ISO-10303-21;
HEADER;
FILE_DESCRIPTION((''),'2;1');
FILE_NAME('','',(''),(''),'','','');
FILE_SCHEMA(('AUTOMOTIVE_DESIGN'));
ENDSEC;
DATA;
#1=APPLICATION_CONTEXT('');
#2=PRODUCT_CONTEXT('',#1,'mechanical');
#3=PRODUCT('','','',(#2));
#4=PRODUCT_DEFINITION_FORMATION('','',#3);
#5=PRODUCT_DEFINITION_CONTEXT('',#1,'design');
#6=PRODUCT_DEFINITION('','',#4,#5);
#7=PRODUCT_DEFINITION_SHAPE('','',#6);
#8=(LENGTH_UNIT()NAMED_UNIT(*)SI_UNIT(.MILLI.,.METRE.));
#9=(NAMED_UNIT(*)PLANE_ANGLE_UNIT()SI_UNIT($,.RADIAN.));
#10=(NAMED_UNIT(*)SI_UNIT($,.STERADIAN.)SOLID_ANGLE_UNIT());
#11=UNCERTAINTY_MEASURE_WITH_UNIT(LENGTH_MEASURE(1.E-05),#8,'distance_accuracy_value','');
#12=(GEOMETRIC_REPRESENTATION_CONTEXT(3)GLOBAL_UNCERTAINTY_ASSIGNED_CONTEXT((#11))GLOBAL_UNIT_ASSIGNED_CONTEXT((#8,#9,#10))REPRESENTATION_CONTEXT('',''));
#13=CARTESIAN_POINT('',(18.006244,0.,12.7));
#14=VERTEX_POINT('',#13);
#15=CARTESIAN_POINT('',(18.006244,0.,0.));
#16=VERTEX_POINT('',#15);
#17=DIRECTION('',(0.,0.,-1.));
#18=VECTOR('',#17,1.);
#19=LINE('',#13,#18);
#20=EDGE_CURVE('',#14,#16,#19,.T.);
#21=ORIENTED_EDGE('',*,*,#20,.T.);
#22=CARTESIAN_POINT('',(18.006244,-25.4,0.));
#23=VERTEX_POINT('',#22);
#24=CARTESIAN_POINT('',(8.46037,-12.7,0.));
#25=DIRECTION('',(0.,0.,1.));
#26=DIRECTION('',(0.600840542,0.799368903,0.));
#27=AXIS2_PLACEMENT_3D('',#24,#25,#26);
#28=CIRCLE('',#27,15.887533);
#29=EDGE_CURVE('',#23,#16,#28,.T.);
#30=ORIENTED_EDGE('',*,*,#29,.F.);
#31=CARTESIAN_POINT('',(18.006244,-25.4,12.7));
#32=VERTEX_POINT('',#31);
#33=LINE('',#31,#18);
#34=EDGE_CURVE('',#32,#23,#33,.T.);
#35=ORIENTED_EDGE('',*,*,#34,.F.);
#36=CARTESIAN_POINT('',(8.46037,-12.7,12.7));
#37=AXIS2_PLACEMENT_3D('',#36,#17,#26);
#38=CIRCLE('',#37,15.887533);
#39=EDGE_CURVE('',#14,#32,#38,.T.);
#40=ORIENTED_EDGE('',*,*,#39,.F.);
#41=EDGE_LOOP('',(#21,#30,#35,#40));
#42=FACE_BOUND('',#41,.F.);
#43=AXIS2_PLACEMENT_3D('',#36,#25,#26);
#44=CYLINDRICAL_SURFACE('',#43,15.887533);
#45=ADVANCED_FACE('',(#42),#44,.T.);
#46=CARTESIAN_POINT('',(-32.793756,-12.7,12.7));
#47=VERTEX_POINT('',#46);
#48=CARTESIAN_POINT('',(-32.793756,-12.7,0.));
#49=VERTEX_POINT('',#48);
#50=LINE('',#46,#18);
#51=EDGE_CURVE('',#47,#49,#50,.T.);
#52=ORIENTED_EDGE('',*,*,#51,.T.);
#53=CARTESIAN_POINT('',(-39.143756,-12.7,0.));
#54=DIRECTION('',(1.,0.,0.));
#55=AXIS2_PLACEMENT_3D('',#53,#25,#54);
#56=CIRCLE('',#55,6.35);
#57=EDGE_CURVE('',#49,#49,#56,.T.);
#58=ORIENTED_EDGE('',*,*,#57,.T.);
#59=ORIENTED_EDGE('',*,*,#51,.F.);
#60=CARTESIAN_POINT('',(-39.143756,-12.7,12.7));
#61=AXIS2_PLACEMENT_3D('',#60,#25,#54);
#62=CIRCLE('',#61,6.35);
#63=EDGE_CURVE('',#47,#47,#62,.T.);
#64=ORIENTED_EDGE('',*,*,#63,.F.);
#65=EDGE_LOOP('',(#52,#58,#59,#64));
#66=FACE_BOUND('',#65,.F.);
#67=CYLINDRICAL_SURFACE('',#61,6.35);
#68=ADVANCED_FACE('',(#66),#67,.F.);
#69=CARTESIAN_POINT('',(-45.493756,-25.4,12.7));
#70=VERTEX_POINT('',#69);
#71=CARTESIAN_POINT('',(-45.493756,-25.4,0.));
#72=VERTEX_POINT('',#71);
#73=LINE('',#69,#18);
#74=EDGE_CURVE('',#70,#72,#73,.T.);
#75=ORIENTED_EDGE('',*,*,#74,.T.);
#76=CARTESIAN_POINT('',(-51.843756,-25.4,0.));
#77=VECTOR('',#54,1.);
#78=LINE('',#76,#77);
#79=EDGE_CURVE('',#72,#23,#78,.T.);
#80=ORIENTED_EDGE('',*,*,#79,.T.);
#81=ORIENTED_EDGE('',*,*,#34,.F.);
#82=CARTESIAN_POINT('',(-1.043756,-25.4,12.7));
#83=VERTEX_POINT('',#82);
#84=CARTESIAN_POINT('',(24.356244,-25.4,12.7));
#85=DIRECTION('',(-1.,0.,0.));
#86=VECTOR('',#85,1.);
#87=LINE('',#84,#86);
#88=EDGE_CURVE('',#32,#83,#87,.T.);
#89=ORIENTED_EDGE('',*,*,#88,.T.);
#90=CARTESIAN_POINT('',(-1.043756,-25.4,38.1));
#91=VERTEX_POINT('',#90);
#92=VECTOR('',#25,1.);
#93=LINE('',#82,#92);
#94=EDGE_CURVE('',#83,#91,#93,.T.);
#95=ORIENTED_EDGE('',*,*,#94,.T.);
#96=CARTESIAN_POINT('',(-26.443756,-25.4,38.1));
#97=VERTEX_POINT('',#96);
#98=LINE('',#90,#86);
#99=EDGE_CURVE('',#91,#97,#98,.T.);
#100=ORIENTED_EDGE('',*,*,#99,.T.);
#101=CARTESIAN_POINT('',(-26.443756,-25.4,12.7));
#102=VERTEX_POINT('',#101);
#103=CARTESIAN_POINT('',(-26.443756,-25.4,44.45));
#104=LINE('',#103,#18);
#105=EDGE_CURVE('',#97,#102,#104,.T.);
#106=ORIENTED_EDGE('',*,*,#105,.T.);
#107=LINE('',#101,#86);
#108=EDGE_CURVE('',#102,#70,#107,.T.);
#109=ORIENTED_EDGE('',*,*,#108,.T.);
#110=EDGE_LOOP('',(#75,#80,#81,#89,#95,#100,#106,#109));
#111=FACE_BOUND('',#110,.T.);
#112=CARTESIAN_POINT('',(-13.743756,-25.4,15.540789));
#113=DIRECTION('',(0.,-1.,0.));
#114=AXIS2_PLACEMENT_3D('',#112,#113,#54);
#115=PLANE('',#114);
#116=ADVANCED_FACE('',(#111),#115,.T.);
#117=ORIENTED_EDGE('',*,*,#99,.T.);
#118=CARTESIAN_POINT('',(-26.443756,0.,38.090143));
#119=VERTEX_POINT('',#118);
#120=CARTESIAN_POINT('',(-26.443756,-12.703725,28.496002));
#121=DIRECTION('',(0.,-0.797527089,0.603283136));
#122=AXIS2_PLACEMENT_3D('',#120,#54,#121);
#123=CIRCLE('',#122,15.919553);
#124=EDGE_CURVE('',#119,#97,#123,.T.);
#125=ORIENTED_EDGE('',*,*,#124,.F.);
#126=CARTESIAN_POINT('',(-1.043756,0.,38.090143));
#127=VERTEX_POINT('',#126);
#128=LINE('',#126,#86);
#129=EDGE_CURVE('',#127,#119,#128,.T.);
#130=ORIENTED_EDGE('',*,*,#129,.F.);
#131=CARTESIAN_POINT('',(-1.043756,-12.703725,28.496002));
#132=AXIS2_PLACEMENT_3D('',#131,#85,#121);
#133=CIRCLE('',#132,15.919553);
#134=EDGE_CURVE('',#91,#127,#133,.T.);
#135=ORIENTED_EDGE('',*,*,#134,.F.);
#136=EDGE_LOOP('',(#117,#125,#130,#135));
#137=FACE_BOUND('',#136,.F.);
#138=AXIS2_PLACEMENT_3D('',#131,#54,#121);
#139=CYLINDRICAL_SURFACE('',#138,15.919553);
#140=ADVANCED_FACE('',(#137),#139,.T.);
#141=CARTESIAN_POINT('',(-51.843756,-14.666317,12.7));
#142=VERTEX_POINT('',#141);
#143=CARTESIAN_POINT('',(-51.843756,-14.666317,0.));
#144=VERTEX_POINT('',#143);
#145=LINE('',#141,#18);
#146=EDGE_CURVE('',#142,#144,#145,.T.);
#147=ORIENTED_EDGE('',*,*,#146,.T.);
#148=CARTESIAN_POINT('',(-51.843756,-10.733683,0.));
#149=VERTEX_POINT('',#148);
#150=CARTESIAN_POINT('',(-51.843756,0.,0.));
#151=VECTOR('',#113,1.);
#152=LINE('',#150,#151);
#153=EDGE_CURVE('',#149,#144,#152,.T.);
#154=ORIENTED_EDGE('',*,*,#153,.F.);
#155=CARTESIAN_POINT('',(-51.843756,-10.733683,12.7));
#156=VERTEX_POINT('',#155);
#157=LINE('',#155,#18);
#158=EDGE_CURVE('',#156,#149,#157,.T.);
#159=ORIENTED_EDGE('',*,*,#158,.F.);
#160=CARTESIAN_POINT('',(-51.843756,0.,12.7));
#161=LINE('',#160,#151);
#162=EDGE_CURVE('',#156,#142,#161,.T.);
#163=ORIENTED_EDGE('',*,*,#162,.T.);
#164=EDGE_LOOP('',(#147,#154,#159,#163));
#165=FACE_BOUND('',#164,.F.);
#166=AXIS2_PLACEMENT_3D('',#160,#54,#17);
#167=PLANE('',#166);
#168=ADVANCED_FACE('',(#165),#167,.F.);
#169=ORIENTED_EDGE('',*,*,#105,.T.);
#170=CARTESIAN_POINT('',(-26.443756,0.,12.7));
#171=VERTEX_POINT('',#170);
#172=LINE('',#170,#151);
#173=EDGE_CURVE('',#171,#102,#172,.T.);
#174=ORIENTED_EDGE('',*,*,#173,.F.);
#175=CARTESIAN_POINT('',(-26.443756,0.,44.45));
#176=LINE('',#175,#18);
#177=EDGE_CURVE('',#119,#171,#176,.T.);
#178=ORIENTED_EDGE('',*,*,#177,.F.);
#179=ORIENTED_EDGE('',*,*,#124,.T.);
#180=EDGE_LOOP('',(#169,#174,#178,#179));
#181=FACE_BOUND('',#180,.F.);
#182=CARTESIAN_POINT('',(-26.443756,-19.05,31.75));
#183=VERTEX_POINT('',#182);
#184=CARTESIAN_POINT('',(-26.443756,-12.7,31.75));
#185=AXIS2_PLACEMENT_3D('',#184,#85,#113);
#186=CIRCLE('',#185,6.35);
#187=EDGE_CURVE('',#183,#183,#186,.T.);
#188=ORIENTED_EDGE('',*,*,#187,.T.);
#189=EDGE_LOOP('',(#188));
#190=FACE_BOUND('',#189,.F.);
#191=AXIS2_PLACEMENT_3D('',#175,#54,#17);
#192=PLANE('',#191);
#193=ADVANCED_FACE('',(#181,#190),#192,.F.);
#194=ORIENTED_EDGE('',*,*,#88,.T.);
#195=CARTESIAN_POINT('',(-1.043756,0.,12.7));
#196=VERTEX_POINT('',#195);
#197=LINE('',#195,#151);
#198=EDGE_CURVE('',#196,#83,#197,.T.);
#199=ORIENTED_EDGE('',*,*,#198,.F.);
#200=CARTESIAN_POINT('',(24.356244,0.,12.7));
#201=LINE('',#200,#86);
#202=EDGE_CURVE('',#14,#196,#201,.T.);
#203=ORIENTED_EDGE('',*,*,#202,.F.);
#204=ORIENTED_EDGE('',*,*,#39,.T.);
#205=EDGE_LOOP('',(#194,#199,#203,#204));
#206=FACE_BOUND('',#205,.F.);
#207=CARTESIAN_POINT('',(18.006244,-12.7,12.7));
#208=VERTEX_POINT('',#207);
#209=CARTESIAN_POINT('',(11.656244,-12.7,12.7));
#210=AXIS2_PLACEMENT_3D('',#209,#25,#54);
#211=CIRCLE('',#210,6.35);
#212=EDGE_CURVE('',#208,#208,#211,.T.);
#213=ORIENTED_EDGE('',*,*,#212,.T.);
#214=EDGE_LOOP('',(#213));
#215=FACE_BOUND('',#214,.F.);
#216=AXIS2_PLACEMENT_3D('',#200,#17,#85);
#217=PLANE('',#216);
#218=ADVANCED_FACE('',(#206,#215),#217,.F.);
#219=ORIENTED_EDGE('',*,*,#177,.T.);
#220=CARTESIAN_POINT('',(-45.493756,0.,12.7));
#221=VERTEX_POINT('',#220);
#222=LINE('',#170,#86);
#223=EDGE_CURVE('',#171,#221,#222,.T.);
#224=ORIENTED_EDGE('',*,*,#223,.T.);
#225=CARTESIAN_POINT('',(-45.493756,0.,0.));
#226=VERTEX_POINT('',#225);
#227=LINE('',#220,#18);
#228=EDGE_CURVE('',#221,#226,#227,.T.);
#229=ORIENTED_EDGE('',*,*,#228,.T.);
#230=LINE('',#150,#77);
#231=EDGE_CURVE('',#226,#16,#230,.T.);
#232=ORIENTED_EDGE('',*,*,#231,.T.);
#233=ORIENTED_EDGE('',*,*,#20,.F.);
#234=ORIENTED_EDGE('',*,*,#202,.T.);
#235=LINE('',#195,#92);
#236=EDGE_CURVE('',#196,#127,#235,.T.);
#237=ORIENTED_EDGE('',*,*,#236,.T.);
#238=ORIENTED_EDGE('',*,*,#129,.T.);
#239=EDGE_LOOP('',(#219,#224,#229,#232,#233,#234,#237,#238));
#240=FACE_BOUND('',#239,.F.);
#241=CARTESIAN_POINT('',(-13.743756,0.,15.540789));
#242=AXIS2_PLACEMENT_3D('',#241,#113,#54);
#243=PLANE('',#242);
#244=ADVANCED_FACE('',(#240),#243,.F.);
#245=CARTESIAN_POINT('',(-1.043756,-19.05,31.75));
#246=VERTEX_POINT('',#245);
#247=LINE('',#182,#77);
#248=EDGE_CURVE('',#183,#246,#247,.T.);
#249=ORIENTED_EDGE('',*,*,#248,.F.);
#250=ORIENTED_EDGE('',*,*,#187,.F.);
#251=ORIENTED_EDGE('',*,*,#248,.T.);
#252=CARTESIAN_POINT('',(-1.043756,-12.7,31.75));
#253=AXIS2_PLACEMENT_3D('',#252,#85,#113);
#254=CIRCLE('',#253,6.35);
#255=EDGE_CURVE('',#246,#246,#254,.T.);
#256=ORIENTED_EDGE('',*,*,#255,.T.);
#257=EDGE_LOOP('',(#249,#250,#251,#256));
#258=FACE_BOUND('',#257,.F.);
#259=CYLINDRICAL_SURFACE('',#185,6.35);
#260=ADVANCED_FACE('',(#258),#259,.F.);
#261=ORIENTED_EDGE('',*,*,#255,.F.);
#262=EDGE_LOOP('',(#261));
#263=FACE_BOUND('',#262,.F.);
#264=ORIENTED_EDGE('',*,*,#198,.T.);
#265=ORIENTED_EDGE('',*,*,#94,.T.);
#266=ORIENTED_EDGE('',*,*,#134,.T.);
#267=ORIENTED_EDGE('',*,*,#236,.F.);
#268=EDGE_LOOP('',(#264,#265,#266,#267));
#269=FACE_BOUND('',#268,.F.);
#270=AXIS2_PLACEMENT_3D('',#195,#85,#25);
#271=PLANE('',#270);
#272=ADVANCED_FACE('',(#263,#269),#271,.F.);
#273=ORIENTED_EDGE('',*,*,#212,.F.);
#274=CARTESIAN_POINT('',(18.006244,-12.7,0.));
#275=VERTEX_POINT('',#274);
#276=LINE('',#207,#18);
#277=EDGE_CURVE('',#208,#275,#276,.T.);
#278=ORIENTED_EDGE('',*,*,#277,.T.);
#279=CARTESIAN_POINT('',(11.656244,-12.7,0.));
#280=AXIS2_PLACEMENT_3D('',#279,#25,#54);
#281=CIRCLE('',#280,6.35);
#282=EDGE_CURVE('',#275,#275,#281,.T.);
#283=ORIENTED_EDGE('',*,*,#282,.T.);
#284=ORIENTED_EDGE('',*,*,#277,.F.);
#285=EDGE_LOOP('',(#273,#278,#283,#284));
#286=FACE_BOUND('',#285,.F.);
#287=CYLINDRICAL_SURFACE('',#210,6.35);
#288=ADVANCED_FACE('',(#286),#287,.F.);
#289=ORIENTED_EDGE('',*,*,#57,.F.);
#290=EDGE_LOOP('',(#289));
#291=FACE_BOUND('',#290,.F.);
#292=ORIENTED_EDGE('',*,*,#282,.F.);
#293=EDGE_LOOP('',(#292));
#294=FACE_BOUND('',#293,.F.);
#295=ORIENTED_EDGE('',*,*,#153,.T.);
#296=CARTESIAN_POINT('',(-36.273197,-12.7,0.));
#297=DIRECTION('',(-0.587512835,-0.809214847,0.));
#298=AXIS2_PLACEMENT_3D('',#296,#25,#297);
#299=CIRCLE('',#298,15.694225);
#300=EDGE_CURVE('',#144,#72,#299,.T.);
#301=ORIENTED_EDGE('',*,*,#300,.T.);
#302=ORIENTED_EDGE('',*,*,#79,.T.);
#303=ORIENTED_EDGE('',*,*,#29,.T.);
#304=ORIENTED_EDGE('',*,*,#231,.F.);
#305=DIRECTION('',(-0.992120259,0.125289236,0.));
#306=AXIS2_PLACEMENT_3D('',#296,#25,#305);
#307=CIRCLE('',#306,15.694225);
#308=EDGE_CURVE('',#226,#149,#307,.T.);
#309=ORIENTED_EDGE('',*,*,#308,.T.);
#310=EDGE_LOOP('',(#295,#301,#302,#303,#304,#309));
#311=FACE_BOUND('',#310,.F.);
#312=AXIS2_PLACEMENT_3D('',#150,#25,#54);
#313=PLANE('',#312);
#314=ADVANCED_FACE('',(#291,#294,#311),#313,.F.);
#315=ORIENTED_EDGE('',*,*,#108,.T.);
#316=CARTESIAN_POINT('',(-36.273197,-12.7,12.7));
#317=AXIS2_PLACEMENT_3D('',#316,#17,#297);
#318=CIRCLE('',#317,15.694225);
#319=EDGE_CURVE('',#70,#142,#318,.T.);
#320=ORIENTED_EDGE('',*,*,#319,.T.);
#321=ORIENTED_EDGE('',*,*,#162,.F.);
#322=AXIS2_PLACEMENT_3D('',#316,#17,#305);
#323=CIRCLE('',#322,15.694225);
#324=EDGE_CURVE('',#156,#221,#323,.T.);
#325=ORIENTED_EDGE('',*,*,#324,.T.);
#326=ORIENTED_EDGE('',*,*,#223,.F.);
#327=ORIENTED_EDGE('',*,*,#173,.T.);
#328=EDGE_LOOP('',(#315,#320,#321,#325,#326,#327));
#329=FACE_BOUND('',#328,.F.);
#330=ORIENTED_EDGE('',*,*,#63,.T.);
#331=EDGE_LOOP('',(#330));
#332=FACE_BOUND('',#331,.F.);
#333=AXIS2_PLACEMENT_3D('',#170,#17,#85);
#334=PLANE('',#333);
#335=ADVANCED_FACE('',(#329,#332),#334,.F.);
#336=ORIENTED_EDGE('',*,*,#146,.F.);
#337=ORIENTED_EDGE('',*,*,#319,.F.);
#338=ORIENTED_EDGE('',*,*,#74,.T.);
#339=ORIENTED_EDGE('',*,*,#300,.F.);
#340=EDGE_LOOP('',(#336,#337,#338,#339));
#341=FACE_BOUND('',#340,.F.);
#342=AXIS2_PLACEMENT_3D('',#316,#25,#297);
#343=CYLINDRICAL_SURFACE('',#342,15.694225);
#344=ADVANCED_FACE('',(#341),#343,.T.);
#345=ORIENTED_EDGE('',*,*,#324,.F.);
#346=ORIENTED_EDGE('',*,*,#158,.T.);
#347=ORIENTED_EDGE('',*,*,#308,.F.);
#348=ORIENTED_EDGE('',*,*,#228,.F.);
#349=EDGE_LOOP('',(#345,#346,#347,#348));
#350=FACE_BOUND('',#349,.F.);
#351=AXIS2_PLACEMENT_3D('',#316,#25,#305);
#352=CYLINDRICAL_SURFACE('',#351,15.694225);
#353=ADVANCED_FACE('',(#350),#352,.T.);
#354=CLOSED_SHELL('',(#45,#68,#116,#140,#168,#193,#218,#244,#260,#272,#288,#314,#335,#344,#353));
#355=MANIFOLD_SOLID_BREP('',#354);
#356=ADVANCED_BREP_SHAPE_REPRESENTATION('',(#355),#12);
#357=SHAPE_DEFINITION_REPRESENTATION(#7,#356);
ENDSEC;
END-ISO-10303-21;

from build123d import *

# Parameters (mm, degrees)
F1_DEPTH  = 25.4
F2_R      = 6.35
F3_DEPTH  = 50.801
F5_DEPTH  = 50.801
F6_R      = 6.35
F7_DEPTH  = 12.701
F9_DEPTH  = 12.701
F11_DEPTH = 12.701


with BuildPart() as f1:
    # F0 (on Front) → F1 (new body)
    with BuildSketch(Plane.XZ):
        Polygon((-51.843755758, 12.7), (-51.843755758, 0), (24.356244242, 0), (24.356244242, 12.7), (-1.043755758, 12.7), (-1.043755758, 44.45), (-26.443755758, 44.45), (-26.443755758, 12.7), align=None)
    extrude(amount=F1_DEPTH)

    # F2 (on face) → F3 (cut, through all)
    with BuildSketch(Plane(origin=(-26.443755758, 0, 0), x_dir=(0, -1, 0), z_dir=(-1, 0, 0))):
        with Locations((12.7, 31.75)):
            Circle(F2_R)
    extrude(amount=-F3_DEPTH, mode=Mode.SUBTRACT)

    # F4 (on face) → F5 (cut, through all)
    with BuildSketch(Plane.YZ.offset(-1.043755758)):
        with BuildLine():
            ThreePointArc((-25.4, 38.1), (-12.6975472927, 44.4155540641), (0, 38.0901433527))
            Line((0, 38.0901433527), (0, 44.45))
            Line((0, 44.45), (-25.4, 44.45))
            Line((-25.4, 44.45), (-25.4, 38.1))
        make_face()
    extrude(amount=-F5_DEPTH, mode=Mode.SUBTRACT)

    # F6 (on face) → F7 (cut, through all)
    with BuildSketch(Plane.XY.offset(12.7)):
        with Locations((-39.143755758, -12.7)):
            Circle(F6_R)
        with Locations((11.656244242, -12.7)):
            Circle(F6_R)
    extrude(amount=-F7_DEPTH, mode=Mode.SUBTRACT)

    # F8 (on face) → F9 (cut, through all)
    with BuildSketch(Plane.XY.offset(12.7)):
        with BuildLine():
            ThreePointArc((-45.493755758, -25.4), (-49.7807083247, -20.6909850484), (-51.843755758, -14.6663174715))
            Line((-51.843755758, -14.6663174715), (-51.843755758, -25.4))
            Line((-51.843755758, -25.4), (-45.493755758, -25.4))
        make_face()
        with BuildLine():
            ThreePointArc((-51.843755758, -10.7336825285), (-49.7807083247, -4.7090149516), (-45.493755758, 0))
            Line((-45.493755758, 0), (-51.843755758, 0))
            Line((-51.843755758, 0), (-51.843755758, -10.7336825285))
        make_face()
    extrude(amount=-F9_DEPTH, mode=Mode.SUBTRACT)

    # F10 (on face) → F11 (cut, through all)
    with BuildSketch(Plane.XY.offset(12.7)):
        with BuildLine():
            ThreePointArc((18.006244242, 0), (24.3479033898, -12.7), (18.006244242, -25.4))
            Line((18.006244242, -25.4), (24.356244242, -25.4))
            Line((24.356244242, -25.4), (24.356244242, 0))
            Line((24.356244242, 0), (18.006244242, 0))
        make_face()
    extrude(amount=-F11_DEPTH, mode=Mode.SUBTRACT)


solid = f1.part
